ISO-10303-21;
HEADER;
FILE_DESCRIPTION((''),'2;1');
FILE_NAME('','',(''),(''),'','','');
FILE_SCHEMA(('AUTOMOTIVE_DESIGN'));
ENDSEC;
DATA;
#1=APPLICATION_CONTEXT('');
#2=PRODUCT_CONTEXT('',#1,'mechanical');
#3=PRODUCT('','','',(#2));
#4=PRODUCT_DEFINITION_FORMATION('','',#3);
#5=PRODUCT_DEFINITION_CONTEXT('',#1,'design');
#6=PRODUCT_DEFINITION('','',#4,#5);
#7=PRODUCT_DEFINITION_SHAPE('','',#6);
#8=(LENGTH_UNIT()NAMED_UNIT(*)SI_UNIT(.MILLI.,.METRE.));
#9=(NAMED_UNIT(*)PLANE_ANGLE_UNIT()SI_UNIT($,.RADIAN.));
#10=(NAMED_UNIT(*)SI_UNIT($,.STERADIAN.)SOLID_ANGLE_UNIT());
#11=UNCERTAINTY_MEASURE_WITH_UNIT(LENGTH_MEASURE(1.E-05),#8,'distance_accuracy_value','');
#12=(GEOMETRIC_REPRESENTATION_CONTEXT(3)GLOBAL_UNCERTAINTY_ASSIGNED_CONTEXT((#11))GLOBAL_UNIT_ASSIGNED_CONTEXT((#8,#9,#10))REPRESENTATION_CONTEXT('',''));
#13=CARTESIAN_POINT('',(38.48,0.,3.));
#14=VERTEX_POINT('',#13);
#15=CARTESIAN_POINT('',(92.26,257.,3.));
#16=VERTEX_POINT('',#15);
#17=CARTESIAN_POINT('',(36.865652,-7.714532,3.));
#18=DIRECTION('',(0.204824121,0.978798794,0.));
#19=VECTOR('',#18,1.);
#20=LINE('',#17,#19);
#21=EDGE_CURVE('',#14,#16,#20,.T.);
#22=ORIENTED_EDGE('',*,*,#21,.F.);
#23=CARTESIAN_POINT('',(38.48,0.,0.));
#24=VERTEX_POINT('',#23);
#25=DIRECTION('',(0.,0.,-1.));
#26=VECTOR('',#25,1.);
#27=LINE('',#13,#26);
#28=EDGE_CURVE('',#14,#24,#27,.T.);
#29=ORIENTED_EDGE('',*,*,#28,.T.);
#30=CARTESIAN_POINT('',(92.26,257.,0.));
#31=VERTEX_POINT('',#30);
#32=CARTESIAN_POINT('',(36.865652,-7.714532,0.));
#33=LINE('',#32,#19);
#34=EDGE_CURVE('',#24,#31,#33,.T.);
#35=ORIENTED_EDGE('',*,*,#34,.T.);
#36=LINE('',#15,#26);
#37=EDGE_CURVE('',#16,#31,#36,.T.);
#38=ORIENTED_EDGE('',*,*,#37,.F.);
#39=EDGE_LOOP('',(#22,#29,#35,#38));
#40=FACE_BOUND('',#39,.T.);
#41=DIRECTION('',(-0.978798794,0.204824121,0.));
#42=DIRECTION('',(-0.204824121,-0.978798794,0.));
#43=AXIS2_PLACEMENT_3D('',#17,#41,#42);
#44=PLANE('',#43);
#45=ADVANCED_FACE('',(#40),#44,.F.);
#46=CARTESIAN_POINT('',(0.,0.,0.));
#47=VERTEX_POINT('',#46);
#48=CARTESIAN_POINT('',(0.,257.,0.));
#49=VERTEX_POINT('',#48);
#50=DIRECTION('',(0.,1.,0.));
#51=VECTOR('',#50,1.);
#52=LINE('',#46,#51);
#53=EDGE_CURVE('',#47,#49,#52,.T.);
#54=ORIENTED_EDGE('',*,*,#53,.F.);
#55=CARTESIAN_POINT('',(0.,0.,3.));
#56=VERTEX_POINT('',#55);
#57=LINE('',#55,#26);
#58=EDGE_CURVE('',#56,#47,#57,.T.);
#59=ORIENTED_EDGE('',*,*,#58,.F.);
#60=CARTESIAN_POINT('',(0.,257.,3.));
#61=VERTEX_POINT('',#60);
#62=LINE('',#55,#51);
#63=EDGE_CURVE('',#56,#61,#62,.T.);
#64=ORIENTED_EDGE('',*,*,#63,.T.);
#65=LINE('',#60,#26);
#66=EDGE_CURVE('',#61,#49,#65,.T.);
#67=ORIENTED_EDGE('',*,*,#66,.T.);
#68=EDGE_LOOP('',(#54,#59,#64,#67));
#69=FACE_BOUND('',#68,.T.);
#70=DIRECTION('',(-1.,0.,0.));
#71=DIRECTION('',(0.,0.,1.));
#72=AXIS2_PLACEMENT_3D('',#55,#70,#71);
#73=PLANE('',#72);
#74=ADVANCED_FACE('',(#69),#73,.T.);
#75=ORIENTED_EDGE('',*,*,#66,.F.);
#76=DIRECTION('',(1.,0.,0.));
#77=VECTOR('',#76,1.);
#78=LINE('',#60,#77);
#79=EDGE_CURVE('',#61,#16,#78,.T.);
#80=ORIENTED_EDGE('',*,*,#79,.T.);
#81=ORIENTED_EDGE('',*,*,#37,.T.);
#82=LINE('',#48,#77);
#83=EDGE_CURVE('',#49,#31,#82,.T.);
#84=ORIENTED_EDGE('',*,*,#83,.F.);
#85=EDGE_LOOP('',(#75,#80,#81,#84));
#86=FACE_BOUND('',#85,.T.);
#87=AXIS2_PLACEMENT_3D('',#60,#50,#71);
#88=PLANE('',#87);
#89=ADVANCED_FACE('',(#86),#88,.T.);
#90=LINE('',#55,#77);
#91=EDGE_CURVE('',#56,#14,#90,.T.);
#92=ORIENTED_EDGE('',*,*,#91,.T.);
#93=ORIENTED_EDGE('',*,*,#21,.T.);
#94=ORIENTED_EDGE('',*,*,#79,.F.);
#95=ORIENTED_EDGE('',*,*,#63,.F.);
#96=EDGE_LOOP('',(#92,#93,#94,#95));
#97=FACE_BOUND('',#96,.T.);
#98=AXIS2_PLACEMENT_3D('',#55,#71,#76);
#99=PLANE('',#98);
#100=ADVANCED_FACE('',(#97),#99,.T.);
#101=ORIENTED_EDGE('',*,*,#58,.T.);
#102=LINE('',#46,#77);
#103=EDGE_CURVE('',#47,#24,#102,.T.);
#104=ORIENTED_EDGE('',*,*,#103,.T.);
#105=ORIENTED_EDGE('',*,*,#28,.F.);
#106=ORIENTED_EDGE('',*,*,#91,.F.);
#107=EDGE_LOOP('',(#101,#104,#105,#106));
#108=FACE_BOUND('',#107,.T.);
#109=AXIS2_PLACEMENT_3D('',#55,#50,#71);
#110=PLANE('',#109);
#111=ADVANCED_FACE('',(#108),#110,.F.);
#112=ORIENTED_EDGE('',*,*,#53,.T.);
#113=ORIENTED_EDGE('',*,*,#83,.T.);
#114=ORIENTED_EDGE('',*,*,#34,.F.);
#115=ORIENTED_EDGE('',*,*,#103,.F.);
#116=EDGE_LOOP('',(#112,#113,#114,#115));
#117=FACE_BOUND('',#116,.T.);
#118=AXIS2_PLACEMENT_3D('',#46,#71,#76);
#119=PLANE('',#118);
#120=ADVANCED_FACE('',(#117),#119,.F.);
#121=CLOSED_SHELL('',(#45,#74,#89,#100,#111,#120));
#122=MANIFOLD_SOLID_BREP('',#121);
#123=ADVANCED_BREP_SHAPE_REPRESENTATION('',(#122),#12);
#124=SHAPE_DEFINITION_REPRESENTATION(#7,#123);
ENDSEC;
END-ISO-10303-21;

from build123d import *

# Parameters (mm, degrees)
BOSS_EXTRUDE1_DEPTH = 3


with BuildPart() as part:
    # Sketch1 → Boss-Extrude1 (new body)
    with BuildSketch(Plane.XY):
        Polygon((0, 257), (92.26, 257), (38.48, 0), (0, 0), align=None)
    extrude(amount=BOSS_EXTRUDE1_DEPTH)


solid = part.part
